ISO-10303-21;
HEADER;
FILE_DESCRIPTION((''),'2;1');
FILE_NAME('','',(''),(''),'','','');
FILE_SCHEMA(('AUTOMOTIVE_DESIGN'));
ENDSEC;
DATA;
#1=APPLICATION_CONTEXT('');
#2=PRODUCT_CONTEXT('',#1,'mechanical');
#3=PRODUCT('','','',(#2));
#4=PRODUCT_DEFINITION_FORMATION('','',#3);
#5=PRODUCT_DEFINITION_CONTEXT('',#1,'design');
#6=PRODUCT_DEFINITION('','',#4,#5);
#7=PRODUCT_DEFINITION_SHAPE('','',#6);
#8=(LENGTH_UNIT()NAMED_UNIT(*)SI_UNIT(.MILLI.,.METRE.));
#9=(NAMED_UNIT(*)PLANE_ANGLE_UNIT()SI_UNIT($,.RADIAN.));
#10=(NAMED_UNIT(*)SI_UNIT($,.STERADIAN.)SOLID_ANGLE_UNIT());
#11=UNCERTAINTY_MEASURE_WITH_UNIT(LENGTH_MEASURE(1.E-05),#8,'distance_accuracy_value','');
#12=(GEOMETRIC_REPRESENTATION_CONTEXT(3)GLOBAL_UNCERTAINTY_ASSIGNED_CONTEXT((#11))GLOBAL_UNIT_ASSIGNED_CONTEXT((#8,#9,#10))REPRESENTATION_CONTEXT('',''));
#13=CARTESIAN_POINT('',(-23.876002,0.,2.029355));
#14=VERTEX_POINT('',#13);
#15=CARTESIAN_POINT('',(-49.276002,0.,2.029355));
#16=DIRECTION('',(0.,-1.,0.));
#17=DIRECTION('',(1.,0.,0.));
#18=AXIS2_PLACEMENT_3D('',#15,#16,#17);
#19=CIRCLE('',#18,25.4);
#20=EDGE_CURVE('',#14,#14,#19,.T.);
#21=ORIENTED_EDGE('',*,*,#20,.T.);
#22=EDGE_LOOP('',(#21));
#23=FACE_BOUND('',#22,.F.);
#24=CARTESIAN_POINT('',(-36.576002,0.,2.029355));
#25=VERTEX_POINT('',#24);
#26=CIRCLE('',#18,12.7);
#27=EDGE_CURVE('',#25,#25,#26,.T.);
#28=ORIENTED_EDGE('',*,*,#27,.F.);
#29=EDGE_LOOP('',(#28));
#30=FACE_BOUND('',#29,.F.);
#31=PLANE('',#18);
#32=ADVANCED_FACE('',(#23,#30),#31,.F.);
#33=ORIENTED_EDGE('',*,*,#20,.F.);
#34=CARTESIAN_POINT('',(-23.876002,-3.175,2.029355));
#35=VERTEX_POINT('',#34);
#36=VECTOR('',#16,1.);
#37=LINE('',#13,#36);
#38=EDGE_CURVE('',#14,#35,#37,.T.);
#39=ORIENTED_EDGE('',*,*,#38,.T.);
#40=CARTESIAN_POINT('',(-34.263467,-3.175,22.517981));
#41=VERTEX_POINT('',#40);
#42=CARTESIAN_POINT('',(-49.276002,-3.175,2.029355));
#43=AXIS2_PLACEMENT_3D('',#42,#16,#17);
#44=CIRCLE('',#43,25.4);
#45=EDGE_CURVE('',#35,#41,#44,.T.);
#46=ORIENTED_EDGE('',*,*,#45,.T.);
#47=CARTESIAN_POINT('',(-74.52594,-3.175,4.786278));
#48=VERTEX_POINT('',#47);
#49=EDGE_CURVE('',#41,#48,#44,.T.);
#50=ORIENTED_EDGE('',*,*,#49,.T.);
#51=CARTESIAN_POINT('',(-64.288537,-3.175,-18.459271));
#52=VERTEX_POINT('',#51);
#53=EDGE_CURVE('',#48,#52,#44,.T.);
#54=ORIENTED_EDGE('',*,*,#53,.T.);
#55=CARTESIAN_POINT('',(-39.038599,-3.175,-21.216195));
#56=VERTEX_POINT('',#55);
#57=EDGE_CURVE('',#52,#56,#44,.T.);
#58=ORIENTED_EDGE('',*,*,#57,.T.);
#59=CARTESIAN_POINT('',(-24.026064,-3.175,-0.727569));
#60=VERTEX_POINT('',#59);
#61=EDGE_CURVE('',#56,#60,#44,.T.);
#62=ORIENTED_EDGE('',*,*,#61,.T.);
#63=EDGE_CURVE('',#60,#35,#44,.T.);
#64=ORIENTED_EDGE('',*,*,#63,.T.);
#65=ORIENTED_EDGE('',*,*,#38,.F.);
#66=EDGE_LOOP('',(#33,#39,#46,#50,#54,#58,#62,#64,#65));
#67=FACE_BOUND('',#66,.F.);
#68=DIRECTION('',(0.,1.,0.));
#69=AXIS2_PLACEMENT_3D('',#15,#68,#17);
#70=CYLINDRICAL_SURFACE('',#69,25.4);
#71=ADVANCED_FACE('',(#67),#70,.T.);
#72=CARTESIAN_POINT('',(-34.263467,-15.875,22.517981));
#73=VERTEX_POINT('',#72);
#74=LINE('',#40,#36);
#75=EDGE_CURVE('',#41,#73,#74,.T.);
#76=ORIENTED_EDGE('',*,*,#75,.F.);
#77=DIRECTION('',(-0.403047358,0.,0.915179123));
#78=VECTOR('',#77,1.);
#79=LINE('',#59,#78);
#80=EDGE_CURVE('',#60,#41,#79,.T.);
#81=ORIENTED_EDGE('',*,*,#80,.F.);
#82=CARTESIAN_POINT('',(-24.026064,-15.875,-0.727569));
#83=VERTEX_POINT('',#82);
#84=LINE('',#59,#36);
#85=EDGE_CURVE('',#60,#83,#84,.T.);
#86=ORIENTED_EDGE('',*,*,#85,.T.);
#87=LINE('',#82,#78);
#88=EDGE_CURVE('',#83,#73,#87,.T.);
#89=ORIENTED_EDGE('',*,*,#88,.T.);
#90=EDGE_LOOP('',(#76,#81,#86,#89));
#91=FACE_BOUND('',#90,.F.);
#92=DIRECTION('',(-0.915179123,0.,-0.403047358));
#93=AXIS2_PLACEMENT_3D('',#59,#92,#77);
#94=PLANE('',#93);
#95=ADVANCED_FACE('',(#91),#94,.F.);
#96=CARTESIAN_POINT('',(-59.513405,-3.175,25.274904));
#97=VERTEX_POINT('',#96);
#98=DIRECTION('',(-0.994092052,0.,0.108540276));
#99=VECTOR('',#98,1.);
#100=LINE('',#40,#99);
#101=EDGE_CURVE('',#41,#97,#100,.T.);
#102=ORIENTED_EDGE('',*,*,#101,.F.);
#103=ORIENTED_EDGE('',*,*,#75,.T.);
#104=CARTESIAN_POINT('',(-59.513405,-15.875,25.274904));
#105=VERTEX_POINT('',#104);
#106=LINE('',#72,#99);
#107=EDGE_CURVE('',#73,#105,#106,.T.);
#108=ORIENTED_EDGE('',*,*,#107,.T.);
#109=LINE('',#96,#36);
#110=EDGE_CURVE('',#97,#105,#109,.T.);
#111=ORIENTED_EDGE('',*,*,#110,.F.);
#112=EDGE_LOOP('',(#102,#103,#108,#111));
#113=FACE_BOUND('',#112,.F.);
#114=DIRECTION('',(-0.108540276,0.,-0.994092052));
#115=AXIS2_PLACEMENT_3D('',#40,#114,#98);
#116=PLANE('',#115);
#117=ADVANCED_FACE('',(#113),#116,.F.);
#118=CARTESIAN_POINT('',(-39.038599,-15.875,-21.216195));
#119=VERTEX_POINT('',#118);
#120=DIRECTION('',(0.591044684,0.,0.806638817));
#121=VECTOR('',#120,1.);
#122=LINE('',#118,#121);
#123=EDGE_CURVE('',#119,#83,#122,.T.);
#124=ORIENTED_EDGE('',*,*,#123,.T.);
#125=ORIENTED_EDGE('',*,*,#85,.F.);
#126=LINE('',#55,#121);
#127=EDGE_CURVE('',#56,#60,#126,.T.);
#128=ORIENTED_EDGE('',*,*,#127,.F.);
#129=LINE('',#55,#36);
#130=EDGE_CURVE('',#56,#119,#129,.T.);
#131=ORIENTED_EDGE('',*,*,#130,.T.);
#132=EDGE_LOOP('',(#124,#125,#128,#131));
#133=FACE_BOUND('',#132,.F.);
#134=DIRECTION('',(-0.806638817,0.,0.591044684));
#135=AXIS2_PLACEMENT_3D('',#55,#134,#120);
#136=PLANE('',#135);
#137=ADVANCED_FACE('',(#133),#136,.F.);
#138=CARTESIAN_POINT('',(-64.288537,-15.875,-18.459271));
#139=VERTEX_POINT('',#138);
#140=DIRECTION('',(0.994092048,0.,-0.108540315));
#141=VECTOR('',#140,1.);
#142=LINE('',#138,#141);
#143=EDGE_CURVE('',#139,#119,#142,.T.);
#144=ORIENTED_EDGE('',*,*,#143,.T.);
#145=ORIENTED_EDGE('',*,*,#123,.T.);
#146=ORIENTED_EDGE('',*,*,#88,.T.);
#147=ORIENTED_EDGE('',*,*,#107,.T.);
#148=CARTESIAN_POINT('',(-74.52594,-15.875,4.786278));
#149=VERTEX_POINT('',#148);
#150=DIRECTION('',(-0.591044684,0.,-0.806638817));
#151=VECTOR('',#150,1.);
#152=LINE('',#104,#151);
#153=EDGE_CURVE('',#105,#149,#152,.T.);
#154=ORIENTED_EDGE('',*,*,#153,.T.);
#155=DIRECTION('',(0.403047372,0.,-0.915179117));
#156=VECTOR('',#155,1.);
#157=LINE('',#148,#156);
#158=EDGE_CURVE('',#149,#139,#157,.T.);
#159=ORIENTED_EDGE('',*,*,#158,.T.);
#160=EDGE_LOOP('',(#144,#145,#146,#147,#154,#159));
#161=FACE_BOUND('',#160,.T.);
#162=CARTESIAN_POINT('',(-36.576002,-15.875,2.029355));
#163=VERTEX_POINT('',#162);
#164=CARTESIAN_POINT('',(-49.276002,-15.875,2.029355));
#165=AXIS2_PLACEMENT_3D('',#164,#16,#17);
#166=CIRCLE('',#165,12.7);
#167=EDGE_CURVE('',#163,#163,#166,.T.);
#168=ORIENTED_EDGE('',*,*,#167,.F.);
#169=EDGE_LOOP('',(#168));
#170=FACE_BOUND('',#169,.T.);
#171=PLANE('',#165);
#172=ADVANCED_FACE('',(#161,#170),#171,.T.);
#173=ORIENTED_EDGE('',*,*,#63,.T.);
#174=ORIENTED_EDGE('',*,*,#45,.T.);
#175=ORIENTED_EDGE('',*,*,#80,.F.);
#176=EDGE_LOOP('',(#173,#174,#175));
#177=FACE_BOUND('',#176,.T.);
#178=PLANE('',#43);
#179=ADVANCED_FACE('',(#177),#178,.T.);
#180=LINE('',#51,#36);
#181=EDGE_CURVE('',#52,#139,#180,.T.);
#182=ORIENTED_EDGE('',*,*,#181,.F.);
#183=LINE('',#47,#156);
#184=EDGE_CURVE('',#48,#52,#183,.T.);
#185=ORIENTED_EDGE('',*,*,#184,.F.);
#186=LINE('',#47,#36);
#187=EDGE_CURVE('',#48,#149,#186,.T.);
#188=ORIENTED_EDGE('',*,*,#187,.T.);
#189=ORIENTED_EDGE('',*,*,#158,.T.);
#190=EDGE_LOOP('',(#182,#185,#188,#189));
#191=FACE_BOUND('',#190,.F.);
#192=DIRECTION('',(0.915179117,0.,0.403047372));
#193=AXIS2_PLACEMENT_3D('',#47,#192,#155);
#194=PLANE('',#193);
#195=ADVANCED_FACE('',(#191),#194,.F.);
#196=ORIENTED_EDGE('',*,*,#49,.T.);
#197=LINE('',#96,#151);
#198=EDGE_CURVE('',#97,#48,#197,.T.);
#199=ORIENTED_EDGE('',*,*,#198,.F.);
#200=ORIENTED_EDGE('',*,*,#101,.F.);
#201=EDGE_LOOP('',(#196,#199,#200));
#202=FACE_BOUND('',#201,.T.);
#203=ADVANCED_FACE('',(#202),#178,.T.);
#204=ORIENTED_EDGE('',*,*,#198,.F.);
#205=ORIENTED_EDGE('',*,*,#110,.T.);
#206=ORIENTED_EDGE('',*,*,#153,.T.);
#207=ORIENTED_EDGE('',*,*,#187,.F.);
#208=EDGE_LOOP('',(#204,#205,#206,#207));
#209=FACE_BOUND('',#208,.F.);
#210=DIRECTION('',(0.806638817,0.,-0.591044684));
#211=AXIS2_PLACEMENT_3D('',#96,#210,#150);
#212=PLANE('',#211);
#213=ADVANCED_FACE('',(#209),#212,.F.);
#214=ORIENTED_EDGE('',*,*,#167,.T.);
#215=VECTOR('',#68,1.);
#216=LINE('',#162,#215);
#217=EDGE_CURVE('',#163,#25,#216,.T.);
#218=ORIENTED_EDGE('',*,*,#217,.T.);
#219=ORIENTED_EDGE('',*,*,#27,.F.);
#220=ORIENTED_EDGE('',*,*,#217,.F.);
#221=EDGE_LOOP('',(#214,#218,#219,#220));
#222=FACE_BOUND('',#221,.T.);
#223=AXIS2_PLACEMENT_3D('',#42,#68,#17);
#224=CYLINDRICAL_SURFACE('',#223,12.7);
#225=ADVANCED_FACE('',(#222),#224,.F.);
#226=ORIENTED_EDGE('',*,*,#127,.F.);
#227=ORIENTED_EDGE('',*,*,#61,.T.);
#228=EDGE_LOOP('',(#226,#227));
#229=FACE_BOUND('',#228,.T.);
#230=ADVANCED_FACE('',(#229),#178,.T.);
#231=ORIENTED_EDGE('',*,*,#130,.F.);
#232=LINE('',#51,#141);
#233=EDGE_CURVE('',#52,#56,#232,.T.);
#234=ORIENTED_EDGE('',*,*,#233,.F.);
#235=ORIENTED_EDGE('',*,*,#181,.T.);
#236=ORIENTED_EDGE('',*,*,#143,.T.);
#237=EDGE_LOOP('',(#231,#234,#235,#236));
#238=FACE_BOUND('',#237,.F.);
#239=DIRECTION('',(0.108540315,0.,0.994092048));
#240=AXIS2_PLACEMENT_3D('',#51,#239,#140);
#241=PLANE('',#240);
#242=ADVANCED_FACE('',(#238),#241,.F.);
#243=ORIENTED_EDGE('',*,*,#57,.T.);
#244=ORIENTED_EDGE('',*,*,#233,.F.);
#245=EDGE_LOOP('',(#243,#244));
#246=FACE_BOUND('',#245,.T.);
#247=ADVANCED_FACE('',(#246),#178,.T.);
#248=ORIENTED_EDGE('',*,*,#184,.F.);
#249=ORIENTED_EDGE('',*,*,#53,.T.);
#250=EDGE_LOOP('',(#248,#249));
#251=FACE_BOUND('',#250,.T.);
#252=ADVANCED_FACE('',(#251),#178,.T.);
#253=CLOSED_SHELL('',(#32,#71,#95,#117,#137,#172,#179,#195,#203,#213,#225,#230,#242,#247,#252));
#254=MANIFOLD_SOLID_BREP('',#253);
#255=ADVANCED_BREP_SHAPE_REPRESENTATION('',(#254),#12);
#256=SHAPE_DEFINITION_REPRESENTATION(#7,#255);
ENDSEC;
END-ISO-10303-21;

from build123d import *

# Parameters (mm, degrees)
F0_R     = 25.4
F0_R_2   = 12.7
F1_DEPTH = 3.175
F2_R     = 12.7
F3_DEPTH = 12.7


with BuildPart() as f1:
    # F0 (on Front) → F1 (new body)
    with BuildSketch(Plane.XZ):
        with Locations((-49.276002, 2.029355)):
            Circle(F0_R)
        with Locations((-49.276002, 2.029355)):
            Circle(F0_R_2, mode=Mode.SUBTRACT)
    extrude(amount=F1_DEPTH)

    # F2 (on face) → F3 (join)
    with BuildSketch(Plane.XZ.offset(3.175)):
        Polygon((-39.038599, -21.216195), (-24.026064, -0.727569), (-34.263467, 22.517981), (-59.513405, 25.274904), (-74.52594, 4.786278), (-64.288537, -18.459271), align=None)
        with Locations((-49.276002, 2.029355)):
            Circle(F2_R, mode=Mode.SUBTRACT)
    extrude(amount=F3_DEPTH)


solid = f1.part
